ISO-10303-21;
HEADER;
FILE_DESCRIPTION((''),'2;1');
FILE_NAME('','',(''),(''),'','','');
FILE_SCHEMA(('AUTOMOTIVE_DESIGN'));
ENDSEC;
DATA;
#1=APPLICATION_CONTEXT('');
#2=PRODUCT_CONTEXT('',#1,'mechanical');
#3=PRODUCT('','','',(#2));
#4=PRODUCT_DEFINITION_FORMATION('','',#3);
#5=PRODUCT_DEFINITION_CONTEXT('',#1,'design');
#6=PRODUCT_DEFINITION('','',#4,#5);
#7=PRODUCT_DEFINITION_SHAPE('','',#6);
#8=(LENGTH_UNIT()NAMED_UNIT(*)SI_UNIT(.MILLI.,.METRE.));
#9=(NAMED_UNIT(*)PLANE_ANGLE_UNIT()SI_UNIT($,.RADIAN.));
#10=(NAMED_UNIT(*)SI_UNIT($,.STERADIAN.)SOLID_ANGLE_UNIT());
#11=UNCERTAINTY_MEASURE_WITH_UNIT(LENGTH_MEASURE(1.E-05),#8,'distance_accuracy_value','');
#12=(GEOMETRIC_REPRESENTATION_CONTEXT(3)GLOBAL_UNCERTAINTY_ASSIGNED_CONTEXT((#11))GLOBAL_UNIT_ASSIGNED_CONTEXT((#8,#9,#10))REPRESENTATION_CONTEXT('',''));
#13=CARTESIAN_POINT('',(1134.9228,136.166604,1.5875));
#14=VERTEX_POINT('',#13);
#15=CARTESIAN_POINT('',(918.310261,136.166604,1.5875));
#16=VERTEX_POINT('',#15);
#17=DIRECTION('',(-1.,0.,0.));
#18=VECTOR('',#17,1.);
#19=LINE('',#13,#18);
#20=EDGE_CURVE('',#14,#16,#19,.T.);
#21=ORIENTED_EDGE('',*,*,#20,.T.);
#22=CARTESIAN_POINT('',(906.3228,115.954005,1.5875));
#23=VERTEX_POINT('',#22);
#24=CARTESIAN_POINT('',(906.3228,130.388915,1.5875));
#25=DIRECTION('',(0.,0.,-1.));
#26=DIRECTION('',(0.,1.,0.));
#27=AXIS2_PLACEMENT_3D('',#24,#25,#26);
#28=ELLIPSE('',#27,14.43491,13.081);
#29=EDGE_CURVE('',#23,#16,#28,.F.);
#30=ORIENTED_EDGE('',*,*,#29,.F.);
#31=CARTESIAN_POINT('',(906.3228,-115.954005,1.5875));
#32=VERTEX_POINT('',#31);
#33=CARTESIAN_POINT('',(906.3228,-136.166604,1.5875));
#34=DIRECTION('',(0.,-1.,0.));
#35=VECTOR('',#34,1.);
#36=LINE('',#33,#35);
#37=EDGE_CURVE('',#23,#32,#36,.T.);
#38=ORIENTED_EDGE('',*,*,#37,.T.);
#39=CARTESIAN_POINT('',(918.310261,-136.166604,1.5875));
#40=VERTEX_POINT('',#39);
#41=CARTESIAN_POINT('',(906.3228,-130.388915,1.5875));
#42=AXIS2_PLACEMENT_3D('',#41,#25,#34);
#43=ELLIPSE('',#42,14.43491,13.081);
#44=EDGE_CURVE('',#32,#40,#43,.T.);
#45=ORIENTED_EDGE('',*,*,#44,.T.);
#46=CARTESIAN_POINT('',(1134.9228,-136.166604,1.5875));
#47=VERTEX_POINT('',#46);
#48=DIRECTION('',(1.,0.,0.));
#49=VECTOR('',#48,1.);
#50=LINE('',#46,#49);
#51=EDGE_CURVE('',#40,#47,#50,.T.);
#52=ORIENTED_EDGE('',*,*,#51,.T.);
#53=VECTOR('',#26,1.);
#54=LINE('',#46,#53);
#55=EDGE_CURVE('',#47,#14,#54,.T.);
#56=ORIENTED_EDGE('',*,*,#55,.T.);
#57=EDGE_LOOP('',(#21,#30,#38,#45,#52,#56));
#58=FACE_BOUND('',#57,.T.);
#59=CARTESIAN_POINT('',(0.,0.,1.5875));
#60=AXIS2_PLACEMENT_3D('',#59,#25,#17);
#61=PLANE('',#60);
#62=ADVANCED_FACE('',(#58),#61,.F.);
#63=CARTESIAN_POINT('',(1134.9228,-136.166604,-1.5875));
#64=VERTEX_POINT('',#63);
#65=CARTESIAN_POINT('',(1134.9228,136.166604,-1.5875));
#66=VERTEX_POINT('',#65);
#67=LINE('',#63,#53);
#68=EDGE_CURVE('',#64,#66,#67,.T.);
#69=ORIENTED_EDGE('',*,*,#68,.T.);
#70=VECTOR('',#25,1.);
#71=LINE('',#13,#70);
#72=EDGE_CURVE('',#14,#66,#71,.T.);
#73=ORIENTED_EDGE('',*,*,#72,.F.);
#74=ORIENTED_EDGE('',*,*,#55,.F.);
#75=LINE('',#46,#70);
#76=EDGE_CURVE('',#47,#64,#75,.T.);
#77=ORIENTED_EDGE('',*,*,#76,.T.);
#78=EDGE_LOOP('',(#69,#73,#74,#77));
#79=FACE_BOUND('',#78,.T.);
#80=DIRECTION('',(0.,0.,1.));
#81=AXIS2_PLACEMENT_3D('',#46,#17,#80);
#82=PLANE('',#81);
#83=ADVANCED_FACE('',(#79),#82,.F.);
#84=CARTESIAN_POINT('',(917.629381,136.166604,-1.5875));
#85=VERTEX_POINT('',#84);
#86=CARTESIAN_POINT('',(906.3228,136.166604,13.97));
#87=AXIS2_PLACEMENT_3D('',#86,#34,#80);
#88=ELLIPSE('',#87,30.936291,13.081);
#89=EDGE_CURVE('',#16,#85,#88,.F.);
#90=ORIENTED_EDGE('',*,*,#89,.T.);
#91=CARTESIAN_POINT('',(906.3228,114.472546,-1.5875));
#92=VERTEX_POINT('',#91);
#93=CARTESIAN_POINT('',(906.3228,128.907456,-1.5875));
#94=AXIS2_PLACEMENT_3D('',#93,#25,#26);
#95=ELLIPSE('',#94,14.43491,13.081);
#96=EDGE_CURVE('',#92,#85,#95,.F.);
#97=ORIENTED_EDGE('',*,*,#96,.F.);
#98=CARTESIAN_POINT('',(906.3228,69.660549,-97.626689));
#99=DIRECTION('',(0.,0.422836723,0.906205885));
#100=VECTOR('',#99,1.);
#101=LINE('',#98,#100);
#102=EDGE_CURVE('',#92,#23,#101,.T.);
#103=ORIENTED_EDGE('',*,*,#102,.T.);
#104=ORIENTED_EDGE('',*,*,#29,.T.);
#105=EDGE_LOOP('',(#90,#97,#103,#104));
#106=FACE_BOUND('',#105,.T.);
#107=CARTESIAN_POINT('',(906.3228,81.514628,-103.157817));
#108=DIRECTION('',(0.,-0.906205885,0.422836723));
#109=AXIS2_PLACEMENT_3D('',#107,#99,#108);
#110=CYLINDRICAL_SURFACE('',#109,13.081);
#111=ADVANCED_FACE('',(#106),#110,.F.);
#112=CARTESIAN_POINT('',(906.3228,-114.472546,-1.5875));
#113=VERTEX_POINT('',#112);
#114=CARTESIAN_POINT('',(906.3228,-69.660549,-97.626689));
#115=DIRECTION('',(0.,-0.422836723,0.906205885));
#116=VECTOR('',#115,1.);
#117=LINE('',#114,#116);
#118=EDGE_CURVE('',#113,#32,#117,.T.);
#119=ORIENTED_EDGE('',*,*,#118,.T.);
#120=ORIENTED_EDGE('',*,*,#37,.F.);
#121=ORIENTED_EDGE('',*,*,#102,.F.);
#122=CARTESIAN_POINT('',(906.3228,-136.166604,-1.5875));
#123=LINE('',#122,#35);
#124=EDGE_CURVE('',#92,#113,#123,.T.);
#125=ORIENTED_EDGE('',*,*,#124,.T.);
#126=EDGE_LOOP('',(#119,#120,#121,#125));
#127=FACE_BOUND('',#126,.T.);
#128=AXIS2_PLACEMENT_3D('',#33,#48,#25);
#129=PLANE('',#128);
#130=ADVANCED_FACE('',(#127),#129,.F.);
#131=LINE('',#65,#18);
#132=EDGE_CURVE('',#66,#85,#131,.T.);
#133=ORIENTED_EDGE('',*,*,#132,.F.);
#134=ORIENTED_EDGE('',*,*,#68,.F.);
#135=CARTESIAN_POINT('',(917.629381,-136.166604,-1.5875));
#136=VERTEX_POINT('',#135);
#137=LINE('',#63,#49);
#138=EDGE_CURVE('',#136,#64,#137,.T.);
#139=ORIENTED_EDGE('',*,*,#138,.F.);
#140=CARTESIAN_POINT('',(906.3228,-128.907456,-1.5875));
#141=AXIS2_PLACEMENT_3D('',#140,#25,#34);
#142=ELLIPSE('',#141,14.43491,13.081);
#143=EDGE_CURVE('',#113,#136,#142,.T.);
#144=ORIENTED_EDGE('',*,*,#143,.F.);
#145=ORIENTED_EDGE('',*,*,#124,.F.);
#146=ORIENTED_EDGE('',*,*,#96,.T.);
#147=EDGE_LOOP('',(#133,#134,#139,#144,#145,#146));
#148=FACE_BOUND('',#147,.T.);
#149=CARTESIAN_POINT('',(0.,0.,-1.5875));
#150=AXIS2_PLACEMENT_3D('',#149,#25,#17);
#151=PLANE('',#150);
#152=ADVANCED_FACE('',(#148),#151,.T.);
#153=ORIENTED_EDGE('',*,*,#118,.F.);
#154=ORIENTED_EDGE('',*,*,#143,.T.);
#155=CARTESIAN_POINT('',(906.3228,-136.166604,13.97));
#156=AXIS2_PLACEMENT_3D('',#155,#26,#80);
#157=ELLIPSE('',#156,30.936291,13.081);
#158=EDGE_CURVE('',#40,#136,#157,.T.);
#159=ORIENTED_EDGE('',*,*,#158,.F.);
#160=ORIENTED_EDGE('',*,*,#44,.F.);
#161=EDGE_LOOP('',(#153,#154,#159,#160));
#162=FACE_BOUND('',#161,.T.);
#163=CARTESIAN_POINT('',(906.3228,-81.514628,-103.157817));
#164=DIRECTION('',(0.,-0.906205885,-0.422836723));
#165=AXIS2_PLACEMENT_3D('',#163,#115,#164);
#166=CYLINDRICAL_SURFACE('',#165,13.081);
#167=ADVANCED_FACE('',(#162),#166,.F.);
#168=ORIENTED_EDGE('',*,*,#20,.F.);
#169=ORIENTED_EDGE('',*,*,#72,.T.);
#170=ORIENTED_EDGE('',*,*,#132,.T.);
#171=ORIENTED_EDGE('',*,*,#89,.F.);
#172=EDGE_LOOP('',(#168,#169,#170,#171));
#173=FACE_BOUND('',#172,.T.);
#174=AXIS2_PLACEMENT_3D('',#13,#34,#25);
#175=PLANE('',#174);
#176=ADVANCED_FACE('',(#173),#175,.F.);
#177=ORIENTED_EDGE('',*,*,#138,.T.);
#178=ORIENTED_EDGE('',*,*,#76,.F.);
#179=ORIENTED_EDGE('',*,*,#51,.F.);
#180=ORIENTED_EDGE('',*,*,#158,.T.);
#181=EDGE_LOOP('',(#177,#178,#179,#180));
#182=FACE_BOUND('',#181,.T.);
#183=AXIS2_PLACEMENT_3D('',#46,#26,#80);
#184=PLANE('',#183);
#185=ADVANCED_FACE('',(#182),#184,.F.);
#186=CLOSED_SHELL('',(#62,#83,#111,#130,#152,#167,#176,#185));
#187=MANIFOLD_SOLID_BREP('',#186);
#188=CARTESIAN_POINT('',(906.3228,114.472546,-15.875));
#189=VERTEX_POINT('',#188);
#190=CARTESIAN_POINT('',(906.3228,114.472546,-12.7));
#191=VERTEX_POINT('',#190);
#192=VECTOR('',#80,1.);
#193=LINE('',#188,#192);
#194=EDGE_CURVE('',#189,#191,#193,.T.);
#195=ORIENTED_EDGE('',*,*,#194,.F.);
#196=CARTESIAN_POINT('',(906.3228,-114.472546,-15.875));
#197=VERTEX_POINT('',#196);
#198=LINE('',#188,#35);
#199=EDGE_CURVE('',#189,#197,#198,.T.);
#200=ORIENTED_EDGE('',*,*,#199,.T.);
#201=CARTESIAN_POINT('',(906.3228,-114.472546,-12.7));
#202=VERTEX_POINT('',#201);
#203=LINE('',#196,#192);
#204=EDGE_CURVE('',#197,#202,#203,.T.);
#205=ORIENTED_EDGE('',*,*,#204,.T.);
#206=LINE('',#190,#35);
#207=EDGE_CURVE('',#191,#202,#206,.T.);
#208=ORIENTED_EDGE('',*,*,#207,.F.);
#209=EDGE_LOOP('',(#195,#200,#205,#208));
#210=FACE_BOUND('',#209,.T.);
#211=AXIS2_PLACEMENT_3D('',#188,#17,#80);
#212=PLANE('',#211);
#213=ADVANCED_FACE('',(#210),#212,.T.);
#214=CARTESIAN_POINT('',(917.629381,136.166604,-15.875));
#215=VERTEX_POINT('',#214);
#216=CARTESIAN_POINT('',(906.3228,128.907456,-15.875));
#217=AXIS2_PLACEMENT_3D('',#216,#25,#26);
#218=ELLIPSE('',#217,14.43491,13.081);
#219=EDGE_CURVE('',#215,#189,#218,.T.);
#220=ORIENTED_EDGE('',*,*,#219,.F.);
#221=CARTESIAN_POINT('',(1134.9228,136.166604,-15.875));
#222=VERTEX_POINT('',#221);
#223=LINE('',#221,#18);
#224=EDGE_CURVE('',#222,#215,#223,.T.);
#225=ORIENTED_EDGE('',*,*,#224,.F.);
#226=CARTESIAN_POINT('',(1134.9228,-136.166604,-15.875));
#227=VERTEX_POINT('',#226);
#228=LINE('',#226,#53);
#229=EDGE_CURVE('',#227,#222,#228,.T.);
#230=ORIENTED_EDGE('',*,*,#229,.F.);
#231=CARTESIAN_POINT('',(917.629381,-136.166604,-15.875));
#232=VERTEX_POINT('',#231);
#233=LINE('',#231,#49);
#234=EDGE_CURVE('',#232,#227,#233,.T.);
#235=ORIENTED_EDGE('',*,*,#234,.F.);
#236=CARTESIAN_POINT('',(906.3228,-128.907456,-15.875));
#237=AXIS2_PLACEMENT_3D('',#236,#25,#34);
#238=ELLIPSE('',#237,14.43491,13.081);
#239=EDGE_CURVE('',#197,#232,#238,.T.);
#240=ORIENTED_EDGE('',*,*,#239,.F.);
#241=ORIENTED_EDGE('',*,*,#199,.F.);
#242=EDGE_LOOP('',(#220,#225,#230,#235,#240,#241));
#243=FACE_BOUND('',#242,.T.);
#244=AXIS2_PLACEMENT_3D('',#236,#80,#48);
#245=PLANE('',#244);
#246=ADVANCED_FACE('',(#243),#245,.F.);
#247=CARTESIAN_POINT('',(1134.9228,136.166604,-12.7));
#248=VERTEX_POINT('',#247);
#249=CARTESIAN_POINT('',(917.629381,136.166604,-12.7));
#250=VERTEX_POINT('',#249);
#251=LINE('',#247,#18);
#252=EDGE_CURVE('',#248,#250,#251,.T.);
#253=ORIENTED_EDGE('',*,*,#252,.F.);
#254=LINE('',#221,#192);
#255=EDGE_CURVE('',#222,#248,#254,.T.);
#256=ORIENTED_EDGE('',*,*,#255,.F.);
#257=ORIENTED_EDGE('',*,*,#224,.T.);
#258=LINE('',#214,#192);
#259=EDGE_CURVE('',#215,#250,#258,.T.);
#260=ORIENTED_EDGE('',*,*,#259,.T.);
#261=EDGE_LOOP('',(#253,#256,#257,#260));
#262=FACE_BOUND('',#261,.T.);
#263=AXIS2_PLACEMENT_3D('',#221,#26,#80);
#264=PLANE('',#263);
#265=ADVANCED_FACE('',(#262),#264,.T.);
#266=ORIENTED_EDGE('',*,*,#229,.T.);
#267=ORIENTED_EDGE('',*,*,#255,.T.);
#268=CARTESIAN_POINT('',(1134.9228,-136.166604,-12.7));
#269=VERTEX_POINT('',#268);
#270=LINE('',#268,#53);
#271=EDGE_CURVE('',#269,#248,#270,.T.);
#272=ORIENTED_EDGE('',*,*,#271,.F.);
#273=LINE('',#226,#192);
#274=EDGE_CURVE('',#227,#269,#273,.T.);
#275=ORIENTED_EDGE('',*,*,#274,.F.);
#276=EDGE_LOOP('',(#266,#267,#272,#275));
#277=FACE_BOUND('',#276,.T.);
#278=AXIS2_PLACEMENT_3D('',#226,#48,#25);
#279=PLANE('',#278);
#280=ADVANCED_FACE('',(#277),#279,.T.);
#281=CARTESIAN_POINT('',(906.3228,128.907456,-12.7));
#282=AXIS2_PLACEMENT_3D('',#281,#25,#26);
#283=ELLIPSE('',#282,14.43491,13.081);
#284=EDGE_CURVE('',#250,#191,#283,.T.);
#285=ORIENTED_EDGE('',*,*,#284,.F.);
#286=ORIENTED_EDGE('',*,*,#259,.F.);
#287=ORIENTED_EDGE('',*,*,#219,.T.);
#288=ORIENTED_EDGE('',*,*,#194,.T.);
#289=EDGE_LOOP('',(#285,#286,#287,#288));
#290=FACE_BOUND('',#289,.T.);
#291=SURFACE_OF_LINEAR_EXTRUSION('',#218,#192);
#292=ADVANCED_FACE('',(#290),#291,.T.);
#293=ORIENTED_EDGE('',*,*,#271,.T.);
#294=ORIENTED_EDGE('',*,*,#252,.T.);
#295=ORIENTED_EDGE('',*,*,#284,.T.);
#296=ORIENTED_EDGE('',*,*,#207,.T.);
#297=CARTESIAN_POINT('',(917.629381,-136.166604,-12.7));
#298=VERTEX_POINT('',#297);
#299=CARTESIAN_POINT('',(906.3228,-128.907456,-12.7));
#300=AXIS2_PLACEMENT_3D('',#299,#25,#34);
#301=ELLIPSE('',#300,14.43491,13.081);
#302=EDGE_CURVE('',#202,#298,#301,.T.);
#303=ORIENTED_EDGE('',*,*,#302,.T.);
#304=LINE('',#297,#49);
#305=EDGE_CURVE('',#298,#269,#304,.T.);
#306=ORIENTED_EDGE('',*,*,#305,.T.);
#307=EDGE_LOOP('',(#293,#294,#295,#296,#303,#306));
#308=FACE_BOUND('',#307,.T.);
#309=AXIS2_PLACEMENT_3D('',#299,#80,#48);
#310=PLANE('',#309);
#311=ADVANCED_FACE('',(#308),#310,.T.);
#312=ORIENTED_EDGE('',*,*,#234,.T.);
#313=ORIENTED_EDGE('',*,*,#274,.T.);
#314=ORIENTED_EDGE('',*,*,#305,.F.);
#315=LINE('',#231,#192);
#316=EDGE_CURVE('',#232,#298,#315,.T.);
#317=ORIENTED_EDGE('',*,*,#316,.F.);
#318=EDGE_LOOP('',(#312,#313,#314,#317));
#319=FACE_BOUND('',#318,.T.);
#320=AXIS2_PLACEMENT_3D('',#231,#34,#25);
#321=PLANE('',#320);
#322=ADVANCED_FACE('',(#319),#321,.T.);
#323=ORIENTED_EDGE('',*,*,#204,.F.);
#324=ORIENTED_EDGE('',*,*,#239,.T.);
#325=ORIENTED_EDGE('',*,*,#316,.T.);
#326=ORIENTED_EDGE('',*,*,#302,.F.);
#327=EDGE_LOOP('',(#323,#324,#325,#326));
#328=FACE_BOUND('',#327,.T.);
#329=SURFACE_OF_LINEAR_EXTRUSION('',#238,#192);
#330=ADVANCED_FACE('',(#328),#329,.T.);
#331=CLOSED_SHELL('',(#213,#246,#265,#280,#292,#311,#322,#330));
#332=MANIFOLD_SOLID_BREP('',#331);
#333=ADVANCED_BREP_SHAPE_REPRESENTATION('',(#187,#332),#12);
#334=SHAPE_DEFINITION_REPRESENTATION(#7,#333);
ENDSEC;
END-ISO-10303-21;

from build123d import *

# Parameters (mm, degrees)
SKETCH2_W           = 228.6
SKETCH2_H           = 272.333207428
BOSS_EXTRUDE2_DEPTH = 1.5875
SKETCH4_R           = 13.081
CUT_EXTRUDE2_DEPTH  = 356.900789089
BOSS_EXTRUDE3_DEPTH = 3.175


with BuildPart() as part:
    # Sketch2 → Boss-Extrude2 (new, symmetric)
    with BuildSketch(Plane.XY):
        with Locations((1020.6228, 0)):
            Rectangle(SKETCH2_W, SKETCH2_H)
    extrude(amount=BOSS_EXTRUDE2_DEPTH, both=True)

    # Sketch4 → Cut-Extrude2 (cut, through all)
    with BuildSketch(Plane(origin=(906.3228, 136.166603714, 13.97), x_dir=(-1, 0, 0), z_dir=(-8.741913579725579e-15, -0.4228367232518726, -0.9062058847025986))):
        Circle(SKETCH4_R)
    cut_extrude2 = extrude(amount=CUT_EXTRUDE2_DEPTH, mode=Mode.SUBTRACT)

    # Mirror2: Cut-Extrude2 across plane
    add(cut_extrude2.mirror(Plane.ZX), mode=Mode.SUBTRACT)


with BuildPart() as body_2:
    # Sketch5 → Boss-Extrude3 (new body)
    with BuildSketch(Plane.XY.offset(-12.7)):
        with BuildLine():
            Line((906.3228, 114.472546487), (906.3228, -114.472546487))
            add(Edge.make_bspline(
                [(917.629380504, -136.166603714), (929.067348802, -114.472546487), (906.3228, -114.472546487)],
                knots=[1.043859165, 1.043859165, 1.043859165, 3.141592654, 3.141592654, 3.141592654], degree=2, weights=[1, 0.49855374, 1]))
            Line((917.629380504, -136.166603714), (1134.9228, -136.166603714))
            Line((1134.9228, -136.166603714), (1134.9228, 136.166603714))
            Line((1134.9228, 136.166603714), (917.629380504, 136.166603714))
            add(Edge.make_bspline(
                [(906.3228, 114.472546487), (929.067348802, 114.472546487), (917.629380504, 136.166603714)],
                knots=[3.141592654, 3.141592654, 3.141592654, 5.239326142, 5.239326142, 5.239326142], degree=2, weights=[1, 0.49855374, 1]))
        make_face()
    extrude(amount=-BOSS_EXTRUDE3_DEPTH)


solid = Compound([part.part, body_2.part])
